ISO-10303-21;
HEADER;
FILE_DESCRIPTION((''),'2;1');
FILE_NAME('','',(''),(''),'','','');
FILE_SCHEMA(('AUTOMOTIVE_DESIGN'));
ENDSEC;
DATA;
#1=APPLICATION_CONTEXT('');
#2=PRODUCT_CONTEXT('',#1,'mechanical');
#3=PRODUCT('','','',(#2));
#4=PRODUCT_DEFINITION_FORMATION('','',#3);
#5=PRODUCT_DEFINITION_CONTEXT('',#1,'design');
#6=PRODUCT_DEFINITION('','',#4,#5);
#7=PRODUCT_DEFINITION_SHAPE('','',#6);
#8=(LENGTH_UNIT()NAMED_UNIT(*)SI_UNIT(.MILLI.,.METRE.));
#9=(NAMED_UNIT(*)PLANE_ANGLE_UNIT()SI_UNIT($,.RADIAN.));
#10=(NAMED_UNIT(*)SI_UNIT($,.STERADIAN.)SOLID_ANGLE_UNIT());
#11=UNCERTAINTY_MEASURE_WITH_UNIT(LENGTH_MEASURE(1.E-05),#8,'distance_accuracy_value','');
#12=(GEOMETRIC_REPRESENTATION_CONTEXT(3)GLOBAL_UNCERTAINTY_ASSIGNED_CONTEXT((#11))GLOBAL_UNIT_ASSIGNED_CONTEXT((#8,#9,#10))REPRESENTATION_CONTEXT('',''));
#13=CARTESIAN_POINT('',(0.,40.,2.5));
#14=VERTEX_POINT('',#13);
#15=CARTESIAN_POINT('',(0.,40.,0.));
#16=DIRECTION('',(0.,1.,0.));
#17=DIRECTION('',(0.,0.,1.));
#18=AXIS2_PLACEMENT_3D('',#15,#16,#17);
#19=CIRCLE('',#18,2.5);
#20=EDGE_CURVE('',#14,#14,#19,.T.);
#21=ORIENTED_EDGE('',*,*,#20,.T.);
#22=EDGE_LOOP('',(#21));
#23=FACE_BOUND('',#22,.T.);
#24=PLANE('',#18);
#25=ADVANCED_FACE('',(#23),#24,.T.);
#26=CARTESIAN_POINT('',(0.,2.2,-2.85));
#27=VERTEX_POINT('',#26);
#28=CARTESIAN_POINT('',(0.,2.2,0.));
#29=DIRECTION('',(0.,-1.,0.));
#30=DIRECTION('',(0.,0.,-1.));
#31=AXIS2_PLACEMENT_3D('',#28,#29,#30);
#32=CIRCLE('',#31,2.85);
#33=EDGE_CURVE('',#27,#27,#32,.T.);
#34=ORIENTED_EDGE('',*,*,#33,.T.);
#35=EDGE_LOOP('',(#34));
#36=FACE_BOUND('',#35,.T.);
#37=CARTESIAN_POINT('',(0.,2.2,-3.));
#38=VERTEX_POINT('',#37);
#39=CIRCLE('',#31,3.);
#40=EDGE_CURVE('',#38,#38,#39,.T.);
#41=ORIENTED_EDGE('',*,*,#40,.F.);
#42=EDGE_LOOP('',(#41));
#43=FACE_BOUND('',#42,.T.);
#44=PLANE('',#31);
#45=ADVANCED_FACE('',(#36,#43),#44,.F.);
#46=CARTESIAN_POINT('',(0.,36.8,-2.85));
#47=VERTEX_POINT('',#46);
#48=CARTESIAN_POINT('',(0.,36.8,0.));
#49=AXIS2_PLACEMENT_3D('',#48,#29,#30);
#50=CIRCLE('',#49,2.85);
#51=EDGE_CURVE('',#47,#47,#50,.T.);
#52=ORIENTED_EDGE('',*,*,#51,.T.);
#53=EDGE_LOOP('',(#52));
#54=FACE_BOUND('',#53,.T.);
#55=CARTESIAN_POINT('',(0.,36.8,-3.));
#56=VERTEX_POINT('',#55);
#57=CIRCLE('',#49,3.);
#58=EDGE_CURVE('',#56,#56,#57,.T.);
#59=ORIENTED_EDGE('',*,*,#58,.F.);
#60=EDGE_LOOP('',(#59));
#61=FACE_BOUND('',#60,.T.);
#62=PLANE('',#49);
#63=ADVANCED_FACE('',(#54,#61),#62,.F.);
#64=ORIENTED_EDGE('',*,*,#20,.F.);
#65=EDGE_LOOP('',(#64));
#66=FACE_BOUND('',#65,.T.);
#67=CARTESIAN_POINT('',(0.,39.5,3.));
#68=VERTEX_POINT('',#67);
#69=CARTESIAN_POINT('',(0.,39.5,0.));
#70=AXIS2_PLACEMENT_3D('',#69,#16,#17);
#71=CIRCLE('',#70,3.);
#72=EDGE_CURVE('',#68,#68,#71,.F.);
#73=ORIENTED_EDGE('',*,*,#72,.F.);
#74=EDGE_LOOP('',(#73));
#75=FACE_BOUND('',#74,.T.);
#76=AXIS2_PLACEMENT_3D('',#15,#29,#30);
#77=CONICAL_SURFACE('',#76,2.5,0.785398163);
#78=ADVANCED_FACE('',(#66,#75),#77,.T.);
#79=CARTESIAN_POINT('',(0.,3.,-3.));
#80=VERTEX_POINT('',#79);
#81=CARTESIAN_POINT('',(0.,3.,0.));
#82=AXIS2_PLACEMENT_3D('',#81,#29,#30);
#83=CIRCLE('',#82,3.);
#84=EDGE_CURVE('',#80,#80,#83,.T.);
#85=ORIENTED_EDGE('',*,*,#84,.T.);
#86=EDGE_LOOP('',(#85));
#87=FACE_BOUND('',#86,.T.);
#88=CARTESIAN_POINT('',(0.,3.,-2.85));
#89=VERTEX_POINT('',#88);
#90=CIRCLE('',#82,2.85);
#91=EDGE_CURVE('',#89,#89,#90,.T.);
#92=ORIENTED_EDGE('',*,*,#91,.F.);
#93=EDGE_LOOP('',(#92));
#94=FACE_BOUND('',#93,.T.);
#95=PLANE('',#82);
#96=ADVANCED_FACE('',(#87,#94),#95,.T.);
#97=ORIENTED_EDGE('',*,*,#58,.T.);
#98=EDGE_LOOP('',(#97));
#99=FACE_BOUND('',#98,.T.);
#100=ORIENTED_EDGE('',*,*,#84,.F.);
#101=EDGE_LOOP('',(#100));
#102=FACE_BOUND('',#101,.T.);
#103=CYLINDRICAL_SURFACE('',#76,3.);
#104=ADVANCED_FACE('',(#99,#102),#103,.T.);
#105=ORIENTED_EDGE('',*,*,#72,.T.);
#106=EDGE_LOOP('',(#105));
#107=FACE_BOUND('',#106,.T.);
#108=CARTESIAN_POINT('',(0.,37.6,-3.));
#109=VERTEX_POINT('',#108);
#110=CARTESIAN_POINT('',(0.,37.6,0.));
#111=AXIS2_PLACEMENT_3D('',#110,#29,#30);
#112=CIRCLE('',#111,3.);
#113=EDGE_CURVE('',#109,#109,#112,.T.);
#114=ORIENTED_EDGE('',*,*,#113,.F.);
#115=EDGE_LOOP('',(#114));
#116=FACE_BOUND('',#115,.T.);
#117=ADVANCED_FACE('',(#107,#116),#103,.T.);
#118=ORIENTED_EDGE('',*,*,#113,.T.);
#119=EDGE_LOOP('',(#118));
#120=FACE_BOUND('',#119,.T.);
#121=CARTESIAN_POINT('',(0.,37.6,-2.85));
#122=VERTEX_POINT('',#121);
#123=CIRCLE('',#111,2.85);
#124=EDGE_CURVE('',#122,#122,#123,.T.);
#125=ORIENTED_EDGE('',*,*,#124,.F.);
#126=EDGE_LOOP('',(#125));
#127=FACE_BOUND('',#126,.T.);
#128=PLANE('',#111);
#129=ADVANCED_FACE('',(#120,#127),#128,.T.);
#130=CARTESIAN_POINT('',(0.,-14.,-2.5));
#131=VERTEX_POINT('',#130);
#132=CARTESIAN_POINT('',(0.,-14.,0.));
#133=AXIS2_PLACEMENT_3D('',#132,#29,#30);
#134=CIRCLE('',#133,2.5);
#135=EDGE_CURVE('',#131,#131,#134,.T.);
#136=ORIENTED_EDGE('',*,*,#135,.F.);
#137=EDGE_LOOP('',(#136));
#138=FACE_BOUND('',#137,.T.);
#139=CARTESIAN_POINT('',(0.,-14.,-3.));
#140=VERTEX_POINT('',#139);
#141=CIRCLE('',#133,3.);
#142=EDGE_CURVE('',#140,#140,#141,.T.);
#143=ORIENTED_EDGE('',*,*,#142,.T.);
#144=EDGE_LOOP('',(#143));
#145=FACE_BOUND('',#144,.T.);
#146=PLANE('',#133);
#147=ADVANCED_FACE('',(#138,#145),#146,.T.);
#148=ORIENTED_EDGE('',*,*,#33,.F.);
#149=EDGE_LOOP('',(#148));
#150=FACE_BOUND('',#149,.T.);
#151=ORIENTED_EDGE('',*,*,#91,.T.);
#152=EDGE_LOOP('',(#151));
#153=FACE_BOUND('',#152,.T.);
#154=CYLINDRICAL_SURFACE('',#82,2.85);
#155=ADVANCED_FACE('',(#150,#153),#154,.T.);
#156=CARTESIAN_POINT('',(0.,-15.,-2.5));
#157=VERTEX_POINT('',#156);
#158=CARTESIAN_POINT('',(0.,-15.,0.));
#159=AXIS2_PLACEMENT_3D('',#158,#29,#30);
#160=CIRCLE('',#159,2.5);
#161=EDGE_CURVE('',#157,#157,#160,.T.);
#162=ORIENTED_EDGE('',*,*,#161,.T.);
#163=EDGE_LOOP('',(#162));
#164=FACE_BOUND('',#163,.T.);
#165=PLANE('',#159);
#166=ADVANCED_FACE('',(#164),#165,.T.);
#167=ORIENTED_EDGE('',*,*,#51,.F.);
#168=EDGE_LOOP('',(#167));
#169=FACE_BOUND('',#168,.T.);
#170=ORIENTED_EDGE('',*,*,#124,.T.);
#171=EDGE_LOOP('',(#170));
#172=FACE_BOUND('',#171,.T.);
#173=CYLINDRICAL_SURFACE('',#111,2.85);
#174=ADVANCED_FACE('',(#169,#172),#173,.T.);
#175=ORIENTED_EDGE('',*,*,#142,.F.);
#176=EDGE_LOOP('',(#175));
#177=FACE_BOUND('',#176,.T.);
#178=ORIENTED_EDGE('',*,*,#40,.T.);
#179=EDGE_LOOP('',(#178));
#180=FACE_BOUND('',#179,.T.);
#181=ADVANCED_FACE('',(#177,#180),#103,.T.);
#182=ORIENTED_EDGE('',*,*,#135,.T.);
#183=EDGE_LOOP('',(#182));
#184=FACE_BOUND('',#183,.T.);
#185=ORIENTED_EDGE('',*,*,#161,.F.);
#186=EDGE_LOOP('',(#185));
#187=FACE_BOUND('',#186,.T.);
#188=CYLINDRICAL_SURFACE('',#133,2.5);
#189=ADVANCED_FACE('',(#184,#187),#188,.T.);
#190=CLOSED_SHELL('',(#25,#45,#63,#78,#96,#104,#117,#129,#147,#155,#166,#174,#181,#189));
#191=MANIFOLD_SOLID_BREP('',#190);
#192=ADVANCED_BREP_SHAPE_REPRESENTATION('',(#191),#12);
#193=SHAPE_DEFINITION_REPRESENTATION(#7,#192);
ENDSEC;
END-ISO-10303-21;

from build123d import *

# Parameters (mm, degrees)
SKETCH1_R           = 3
BOSS_EXTRUDE1_DEPTH = 40
CUT_EXTRUDE1_START  = 3.2
SKETCH2_R           = 3
SKETCH2_R_2         = 2.85
CUT_EXTRUDE1_DEPTH  = 0.8
CUT_EXTRUDE2_START  = -2.2
SKETCH3_R           = 3
SKETCH3_R_2         = 2.85
CUT_EXTRUDE2_DEPTH  = 0.8
CHAMFER1_SIZE       = 0.5
BOSS_EXTRUDE2_START = 15
SKETCH4_R           = 3
BOSS_EXTRUDE2_DEPTH = 15
SKETCH5_R           = 3
SKETCH5_R_2         = 2.5
CUT_EXTRUDE3_DEPTH  = 1


with BuildPart() as part:
    # Sketch1 → Boss-Extrude1 (new body)
    with BuildSketch(Plane(origin=(0, 0, 0), x_dir=(1, 0, 0), z_dir=(0, 1, 0))):
        with Locations(Location((0, 0, 0), (0, 0, 270))):
            Circle(SKETCH1_R)
    extrude(amount=BOSS_EXTRUDE1_DEPTH)

    # Sketch2 → Cut-Extrude1 (cut)
    with BuildSketch(Plane.XZ.offset(-40).offset(CUT_EXTRUDE1_START)):
        with Locations(Location((0, 0, 0), (0, 0, 270))):
            Circle(SKETCH2_R)
        with Locations(Location((0, 0, 0), (0, 0, 270))):
            Circle(SKETCH2_R_2, mode=Mode.SUBTRACT)
    extrude(amount=-CUT_EXTRUDE1_DEPTH, mode=Mode.SUBTRACT)

    # Sketch3 → Cut-Extrude2 (cut)
    with BuildSketch(Plane.XZ.offset(CUT_EXTRUDE2_START)):
        with Locations(Location((0, 0, 0), (0, 0, 270))):
            Circle(SKETCH3_R)
        with Locations(Location((0, 0, 0), (0, 0, 270))):
            Circle(SKETCH3_R_2, mode=Mode.SUBTRACT)
    extrude(amount=-CUT_EXTRUDE2_DEPTH, mode=Mode.SUBTRACT)

    # Chamfer1
    chamfer1_edges = [part.edges().sort_by_distance(p)[0] for p in [
        (0, 40, -3),
    ]]
    chamfer(chamfer1_edges, length=CHAMFER1_SIZE)

    # Sketch4 → Boss-Extrude2 (add)
    with BuildSketch(Plane.XZ.offset(BOSS_EXTRUDE2_START)):
        with Locations(Location((0, 0, 0), (0, 0, 270))):
            Circle(SKETCH4_R)
    extrude(amount=-BOSS_EXTRUDE2_DEPTH)

    # Sketch5 → Cut-Extrude3 (cut)
    with BuildSketch(Plane.XZ.offset(15)):
        with Locations(Location((0, 0, 0), (0, 0, 270))):
            Circle(SKETCH5_R)
        with Locations(Location((0, 0, 0), (0, 0, 270))):
            Circle(SKETCH5_R_2, mode=Mode.SUBTRACT)
    extrude(amount=-CUT_EXTRUDE3_DEPTH, mode=Mode.SUBTRACT)


solid = part.part
